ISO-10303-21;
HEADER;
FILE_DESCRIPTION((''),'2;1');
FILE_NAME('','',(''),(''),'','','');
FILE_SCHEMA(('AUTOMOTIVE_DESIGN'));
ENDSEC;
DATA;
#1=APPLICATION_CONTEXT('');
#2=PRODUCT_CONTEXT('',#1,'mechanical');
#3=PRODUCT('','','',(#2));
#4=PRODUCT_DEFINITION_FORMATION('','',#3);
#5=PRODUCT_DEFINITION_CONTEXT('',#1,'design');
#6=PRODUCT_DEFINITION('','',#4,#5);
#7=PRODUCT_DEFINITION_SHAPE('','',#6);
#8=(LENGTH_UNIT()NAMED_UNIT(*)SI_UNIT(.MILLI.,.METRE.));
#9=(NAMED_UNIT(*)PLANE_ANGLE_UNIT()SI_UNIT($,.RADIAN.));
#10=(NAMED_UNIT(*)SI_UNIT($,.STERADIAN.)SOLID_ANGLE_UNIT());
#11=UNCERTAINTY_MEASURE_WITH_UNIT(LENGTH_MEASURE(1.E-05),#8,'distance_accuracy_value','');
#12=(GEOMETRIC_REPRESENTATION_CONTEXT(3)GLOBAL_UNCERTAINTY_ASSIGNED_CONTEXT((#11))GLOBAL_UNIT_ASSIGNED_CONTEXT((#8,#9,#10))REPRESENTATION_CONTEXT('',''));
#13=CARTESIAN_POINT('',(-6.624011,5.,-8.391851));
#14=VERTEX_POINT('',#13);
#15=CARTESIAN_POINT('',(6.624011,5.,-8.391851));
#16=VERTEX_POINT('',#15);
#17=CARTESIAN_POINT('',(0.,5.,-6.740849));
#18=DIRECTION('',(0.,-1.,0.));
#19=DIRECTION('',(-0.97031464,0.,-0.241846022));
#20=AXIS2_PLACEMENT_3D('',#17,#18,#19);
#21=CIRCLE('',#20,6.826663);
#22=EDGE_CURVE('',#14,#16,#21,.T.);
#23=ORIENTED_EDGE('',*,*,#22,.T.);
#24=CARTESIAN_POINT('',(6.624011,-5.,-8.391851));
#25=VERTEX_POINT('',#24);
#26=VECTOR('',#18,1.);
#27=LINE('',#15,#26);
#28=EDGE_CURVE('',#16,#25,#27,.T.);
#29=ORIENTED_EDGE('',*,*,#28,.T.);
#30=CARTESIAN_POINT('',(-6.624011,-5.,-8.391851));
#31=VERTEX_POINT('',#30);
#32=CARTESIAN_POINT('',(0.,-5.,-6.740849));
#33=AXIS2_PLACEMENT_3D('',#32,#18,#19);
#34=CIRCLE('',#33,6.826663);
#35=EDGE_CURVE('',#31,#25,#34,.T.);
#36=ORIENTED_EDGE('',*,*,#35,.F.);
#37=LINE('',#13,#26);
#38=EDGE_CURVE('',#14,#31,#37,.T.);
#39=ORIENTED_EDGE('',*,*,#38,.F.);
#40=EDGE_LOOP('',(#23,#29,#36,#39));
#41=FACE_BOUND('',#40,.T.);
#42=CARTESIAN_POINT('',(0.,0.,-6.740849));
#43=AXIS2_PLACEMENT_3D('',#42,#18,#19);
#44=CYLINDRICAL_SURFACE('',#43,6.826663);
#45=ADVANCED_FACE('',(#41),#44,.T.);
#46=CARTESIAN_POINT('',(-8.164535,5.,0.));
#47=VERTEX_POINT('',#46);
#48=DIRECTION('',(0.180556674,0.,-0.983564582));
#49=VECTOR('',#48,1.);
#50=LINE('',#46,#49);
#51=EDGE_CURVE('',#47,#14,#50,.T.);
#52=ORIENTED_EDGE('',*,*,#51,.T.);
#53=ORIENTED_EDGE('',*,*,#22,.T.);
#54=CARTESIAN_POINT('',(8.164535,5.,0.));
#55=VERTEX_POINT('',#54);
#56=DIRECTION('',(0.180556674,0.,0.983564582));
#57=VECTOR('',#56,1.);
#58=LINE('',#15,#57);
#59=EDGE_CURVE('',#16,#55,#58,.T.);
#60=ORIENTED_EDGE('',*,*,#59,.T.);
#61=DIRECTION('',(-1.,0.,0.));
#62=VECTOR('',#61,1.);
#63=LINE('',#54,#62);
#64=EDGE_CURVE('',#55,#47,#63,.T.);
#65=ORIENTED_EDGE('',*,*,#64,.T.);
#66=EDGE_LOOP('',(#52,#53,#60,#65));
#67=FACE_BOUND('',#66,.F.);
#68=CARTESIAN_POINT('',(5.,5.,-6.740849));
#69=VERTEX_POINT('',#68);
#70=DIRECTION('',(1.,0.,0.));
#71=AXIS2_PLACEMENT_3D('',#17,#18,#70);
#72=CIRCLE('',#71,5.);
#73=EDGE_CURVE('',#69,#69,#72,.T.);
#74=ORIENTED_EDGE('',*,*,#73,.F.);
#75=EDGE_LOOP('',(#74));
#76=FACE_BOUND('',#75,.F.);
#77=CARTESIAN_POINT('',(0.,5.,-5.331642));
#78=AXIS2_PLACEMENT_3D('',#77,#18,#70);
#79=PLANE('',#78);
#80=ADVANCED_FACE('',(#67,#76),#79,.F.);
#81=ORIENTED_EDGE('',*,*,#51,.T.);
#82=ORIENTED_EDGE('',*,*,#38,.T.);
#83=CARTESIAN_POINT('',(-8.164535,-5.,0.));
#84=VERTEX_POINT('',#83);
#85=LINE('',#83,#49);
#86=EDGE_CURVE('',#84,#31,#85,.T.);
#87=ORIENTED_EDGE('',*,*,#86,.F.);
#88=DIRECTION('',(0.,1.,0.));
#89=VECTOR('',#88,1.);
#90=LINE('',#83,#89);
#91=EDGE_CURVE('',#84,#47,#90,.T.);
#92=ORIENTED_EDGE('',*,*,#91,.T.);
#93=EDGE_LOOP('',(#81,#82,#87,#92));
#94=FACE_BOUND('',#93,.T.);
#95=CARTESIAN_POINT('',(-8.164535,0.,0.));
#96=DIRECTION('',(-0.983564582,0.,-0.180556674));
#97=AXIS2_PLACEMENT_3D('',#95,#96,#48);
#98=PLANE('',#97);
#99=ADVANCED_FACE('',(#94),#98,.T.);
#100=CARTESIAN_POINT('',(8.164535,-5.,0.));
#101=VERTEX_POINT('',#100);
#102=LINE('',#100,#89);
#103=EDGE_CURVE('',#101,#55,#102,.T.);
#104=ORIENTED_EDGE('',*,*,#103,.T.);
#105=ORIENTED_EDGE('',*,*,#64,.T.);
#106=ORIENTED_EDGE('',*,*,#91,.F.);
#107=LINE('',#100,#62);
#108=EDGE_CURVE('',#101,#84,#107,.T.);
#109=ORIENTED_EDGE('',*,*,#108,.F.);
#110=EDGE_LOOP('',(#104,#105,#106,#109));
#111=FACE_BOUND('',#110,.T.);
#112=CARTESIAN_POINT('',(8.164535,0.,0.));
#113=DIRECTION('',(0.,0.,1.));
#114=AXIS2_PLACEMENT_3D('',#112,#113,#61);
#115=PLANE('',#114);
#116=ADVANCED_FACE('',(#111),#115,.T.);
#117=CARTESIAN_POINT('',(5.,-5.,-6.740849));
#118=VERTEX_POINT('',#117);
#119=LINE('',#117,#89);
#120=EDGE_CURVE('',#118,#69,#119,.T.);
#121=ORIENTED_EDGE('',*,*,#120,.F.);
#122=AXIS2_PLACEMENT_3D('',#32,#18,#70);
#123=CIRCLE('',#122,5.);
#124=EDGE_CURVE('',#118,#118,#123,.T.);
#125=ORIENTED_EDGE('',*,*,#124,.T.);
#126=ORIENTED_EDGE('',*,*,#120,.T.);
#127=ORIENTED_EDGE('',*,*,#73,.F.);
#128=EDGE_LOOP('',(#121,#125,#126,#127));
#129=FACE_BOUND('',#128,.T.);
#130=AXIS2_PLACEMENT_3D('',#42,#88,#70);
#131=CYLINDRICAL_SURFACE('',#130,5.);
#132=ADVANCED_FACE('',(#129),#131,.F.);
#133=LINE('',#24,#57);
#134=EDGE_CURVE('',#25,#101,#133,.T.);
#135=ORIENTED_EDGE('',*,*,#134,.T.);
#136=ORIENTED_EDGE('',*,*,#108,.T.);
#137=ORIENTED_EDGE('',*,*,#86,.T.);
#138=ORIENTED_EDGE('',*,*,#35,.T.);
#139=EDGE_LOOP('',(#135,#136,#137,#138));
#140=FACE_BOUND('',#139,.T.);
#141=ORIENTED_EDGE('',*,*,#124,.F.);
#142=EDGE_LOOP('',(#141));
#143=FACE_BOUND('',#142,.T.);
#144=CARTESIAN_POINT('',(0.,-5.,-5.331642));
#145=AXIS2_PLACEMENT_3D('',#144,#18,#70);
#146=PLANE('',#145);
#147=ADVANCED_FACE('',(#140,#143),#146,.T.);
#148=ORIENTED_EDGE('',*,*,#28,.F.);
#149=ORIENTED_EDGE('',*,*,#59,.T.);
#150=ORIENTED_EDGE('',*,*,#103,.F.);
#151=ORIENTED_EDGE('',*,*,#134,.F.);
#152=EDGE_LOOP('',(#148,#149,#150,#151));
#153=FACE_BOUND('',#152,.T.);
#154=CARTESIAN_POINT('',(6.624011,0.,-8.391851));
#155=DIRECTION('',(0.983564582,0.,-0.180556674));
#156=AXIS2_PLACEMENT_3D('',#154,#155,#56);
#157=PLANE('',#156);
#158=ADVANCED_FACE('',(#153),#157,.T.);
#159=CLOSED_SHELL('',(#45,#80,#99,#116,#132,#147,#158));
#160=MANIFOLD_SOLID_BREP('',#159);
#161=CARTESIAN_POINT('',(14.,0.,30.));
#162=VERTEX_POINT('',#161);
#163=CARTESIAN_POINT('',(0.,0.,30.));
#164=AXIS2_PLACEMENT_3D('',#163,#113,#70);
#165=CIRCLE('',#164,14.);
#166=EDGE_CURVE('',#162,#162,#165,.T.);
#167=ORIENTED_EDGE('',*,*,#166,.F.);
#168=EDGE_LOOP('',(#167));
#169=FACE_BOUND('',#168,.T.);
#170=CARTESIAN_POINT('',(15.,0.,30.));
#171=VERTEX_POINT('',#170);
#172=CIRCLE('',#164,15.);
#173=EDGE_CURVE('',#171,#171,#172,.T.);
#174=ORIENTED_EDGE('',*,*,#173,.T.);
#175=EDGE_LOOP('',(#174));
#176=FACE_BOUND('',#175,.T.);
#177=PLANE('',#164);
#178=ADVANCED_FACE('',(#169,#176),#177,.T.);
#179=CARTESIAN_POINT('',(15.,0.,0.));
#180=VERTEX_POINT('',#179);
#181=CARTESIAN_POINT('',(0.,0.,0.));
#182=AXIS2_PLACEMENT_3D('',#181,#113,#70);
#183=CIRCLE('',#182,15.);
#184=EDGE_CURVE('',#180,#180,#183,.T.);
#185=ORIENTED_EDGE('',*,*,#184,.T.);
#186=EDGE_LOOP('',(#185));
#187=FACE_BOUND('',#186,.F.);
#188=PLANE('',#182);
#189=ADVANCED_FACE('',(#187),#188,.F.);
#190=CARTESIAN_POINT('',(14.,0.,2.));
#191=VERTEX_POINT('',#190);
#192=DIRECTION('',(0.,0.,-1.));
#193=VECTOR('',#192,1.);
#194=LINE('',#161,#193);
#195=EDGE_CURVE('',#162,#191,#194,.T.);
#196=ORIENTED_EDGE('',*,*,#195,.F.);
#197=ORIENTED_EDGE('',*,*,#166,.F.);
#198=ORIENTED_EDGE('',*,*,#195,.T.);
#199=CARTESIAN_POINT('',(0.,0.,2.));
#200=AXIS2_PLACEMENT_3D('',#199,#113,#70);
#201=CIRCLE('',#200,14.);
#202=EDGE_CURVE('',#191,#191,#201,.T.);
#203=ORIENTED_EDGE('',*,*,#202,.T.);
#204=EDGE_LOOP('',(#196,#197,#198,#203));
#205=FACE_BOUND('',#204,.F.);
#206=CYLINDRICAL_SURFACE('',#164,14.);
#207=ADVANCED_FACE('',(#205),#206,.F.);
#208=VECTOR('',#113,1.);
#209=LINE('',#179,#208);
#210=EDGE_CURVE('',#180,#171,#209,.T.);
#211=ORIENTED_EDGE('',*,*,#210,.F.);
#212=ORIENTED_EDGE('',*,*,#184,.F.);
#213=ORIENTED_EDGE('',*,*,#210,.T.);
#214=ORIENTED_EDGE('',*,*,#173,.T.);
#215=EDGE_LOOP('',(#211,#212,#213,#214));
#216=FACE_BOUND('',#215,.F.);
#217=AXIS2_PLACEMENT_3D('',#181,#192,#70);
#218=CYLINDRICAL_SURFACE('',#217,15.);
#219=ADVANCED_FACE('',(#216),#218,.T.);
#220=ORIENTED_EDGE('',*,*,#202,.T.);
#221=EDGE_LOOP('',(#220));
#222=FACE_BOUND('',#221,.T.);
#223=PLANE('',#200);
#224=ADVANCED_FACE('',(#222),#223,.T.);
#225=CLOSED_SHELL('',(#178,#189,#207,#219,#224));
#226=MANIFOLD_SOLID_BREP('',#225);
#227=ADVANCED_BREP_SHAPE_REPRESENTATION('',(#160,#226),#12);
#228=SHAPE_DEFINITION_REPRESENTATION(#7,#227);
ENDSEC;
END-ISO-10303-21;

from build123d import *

# Parameters (mm, degrees)
F0_R     = 15
F1_DEPTH = 30
F2_R     = 14
F3_DEPTH = 28
F4_R     = 5
F5_DEPTH = 5


with BuildPart() as f1:
    # F0 (on Top) → F1 (new body)
    with BuildSketch(Plane.XY):
        Circle(F0_R)
    extrude(amount=F1_DEPTH)

    # F2 (on face) → F3 (cut)
    with BuildSketch(Plane.XY.offset(30)):
        Circle(F2_R)
    extrude(amount=-F3_DEPTH, mode=Mode.SUBTRACT)


with BuildPart() as f5:
    # F4 (on Front) → F5 (new body, symmetric)
    with BuildSketch(Plane.XZ):
        with BuildLine():
            Line((-8.164535112, 0), (-6.6240113229, -8.391850628))
            ThreePointArc((-6.6240113229, -8.391850628), (0, -13.5675125447), (6.6240113229, -8.391850628))
            Line((6.6240113229, -8.391850628), (8.164535112, 0))
            Line((8.164535112, 0), (-8.164535112, 0))
        make_face()
        with Locations((0, -6.7408492677)):
            Circle(F4_R, mode=Mode.SUBTRACT)
    extrude(amount=F5_DEPTH, both=True)


solid = Compound([f1.part, f5.part])
